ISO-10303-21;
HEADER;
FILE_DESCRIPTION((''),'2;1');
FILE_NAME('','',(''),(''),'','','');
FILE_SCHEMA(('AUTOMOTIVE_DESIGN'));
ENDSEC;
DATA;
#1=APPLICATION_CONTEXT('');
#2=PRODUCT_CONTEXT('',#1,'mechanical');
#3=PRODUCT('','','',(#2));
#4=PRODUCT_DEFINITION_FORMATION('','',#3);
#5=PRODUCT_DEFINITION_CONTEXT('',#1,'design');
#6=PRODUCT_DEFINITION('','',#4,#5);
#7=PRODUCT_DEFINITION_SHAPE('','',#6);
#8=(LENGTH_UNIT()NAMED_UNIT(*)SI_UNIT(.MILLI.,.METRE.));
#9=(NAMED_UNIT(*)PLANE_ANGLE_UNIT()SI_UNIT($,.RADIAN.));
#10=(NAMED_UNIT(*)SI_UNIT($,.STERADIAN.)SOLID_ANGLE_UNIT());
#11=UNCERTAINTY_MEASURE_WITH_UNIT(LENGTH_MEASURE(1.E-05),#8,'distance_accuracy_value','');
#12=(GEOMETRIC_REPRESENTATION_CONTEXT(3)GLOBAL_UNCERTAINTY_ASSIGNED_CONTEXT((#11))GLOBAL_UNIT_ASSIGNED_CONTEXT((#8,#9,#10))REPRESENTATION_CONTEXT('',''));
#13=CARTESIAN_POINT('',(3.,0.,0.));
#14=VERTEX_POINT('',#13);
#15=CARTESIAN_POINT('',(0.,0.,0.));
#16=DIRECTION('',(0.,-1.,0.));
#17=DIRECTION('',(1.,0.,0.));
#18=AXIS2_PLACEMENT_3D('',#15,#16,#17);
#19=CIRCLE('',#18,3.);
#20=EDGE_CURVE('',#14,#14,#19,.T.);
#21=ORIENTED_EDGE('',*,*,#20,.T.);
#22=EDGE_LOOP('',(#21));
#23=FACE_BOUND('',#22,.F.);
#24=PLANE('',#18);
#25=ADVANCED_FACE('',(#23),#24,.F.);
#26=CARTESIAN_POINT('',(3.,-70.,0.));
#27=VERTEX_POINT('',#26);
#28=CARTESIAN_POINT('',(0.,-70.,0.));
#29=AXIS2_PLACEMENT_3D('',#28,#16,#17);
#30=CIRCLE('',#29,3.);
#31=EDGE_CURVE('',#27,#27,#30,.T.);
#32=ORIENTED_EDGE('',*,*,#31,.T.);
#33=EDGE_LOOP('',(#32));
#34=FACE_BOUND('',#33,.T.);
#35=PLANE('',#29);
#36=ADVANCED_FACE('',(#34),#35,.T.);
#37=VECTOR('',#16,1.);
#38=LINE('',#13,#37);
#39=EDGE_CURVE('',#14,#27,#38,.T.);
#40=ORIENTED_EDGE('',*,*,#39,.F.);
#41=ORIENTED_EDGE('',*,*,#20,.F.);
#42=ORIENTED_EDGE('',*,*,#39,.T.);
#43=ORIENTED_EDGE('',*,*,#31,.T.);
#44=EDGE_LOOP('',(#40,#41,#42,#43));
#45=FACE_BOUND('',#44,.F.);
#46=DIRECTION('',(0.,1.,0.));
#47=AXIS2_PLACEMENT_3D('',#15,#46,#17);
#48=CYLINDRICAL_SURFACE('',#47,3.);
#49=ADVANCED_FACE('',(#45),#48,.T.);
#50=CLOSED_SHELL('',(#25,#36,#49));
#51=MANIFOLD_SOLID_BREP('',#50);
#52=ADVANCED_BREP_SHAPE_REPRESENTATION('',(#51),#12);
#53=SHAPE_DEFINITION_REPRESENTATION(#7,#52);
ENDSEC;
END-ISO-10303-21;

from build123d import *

# Parameters (mm, degrees)
SKETCH_R  = 3
PAD_DEPTH = 70


with BuildPart() as part:
    # Sketch → Pad (new body)
    with BuildSketch(Plane.XZ):
        Circle(SKETCH_R)
    extrude(amount=PAD_DEPTH)


solid = part.part
